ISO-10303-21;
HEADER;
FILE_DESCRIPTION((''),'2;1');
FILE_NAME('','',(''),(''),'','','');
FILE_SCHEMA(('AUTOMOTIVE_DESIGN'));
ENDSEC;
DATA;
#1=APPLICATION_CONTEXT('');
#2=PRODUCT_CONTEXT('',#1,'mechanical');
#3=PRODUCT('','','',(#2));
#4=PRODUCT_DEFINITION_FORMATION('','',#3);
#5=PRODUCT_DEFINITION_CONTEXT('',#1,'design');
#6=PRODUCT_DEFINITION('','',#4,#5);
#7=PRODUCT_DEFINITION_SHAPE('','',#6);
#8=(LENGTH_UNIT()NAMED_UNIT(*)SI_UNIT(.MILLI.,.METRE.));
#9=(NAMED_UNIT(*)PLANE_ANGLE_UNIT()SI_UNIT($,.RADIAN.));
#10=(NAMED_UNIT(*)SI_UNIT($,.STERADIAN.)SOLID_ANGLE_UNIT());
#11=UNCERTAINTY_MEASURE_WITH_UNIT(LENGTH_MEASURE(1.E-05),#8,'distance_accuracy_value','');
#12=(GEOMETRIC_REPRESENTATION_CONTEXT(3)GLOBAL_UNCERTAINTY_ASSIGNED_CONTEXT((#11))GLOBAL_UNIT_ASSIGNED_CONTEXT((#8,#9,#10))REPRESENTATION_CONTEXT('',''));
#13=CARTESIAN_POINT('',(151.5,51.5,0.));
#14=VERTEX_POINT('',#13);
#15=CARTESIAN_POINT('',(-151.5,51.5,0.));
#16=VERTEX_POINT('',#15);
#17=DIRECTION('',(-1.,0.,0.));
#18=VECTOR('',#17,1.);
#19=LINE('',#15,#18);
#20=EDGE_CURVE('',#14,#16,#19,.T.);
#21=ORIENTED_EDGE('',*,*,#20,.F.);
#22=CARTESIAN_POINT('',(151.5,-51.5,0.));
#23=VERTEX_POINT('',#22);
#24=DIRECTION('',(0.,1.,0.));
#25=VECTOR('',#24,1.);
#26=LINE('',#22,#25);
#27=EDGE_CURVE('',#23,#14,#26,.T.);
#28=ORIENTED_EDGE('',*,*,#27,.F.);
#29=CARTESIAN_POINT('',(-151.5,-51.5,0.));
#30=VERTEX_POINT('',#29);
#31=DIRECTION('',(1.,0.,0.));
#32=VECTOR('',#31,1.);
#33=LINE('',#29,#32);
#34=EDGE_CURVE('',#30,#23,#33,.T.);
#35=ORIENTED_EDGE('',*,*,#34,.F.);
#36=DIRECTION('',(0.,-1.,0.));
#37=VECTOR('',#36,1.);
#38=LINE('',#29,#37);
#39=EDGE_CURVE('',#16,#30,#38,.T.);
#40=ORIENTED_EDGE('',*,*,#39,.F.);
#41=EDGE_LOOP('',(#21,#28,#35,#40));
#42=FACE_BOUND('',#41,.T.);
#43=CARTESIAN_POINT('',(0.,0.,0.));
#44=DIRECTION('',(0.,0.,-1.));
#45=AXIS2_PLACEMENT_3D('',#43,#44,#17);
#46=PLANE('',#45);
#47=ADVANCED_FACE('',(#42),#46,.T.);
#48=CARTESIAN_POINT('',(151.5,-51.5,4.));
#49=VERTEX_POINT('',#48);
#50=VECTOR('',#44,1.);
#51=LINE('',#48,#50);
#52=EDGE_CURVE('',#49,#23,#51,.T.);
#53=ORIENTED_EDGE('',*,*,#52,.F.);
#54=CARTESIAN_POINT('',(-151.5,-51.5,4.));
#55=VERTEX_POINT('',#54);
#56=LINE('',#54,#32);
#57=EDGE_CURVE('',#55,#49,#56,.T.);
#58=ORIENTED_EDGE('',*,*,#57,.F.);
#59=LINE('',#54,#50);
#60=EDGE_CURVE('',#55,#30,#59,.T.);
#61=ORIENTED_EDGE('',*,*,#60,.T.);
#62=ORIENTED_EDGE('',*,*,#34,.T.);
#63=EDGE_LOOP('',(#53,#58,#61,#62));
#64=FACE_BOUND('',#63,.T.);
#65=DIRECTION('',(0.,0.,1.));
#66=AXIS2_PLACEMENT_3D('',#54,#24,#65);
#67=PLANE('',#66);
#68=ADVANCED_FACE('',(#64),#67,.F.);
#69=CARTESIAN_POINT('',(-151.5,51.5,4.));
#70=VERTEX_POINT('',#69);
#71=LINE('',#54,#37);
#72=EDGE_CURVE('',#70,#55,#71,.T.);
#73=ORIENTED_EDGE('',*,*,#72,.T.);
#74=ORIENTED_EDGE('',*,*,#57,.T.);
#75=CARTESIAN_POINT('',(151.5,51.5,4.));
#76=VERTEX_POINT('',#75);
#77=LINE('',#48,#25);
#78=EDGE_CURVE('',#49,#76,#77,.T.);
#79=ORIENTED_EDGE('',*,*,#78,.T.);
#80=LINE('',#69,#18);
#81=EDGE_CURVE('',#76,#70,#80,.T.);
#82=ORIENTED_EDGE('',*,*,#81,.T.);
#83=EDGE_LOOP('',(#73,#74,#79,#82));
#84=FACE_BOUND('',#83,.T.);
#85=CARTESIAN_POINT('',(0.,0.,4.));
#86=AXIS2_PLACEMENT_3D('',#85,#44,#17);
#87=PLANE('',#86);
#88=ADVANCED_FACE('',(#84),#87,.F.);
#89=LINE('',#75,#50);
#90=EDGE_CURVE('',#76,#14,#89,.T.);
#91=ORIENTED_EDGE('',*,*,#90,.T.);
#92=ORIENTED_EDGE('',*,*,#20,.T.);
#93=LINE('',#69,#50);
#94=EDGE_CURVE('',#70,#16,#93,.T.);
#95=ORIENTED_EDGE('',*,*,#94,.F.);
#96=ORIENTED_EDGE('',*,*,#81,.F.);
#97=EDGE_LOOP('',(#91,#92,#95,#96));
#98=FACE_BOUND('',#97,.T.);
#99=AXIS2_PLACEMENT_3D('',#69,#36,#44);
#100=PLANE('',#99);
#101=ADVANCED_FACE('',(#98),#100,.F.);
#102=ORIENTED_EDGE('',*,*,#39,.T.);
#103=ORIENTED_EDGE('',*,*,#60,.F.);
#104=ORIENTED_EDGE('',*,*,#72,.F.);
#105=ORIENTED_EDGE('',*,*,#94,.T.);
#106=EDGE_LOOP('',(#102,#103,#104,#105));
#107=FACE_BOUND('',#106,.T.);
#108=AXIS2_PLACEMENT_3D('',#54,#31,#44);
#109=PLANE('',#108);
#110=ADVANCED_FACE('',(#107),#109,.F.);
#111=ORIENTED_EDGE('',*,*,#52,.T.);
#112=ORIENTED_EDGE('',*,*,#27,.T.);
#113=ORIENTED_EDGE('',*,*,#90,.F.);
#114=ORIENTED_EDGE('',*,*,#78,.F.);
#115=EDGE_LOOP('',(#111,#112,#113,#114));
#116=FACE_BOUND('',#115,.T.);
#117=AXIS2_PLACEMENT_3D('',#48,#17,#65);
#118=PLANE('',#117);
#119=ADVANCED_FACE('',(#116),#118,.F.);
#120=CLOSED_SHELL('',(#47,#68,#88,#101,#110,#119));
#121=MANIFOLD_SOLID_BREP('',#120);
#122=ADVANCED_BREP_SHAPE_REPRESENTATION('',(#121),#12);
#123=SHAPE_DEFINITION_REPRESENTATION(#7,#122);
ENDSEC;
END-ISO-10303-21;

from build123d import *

# Parameters (mm, degrees)
ESQUISSE1_W        = 303
ESQUISSE1_H        = 103
BOSS_EXTRU_1_DEPTH = 4


with BuildPart() as part:
    # Esquisse1 → Boss.-Extru.1 (new body)
    with BuildSketch(Plane.XY):
        Rectangle(ESQUISSE1_W, ESQUISSE1_H)
    extrude(amount=BOSS_EXTRU_1_DEPTH)


solid = part.part
